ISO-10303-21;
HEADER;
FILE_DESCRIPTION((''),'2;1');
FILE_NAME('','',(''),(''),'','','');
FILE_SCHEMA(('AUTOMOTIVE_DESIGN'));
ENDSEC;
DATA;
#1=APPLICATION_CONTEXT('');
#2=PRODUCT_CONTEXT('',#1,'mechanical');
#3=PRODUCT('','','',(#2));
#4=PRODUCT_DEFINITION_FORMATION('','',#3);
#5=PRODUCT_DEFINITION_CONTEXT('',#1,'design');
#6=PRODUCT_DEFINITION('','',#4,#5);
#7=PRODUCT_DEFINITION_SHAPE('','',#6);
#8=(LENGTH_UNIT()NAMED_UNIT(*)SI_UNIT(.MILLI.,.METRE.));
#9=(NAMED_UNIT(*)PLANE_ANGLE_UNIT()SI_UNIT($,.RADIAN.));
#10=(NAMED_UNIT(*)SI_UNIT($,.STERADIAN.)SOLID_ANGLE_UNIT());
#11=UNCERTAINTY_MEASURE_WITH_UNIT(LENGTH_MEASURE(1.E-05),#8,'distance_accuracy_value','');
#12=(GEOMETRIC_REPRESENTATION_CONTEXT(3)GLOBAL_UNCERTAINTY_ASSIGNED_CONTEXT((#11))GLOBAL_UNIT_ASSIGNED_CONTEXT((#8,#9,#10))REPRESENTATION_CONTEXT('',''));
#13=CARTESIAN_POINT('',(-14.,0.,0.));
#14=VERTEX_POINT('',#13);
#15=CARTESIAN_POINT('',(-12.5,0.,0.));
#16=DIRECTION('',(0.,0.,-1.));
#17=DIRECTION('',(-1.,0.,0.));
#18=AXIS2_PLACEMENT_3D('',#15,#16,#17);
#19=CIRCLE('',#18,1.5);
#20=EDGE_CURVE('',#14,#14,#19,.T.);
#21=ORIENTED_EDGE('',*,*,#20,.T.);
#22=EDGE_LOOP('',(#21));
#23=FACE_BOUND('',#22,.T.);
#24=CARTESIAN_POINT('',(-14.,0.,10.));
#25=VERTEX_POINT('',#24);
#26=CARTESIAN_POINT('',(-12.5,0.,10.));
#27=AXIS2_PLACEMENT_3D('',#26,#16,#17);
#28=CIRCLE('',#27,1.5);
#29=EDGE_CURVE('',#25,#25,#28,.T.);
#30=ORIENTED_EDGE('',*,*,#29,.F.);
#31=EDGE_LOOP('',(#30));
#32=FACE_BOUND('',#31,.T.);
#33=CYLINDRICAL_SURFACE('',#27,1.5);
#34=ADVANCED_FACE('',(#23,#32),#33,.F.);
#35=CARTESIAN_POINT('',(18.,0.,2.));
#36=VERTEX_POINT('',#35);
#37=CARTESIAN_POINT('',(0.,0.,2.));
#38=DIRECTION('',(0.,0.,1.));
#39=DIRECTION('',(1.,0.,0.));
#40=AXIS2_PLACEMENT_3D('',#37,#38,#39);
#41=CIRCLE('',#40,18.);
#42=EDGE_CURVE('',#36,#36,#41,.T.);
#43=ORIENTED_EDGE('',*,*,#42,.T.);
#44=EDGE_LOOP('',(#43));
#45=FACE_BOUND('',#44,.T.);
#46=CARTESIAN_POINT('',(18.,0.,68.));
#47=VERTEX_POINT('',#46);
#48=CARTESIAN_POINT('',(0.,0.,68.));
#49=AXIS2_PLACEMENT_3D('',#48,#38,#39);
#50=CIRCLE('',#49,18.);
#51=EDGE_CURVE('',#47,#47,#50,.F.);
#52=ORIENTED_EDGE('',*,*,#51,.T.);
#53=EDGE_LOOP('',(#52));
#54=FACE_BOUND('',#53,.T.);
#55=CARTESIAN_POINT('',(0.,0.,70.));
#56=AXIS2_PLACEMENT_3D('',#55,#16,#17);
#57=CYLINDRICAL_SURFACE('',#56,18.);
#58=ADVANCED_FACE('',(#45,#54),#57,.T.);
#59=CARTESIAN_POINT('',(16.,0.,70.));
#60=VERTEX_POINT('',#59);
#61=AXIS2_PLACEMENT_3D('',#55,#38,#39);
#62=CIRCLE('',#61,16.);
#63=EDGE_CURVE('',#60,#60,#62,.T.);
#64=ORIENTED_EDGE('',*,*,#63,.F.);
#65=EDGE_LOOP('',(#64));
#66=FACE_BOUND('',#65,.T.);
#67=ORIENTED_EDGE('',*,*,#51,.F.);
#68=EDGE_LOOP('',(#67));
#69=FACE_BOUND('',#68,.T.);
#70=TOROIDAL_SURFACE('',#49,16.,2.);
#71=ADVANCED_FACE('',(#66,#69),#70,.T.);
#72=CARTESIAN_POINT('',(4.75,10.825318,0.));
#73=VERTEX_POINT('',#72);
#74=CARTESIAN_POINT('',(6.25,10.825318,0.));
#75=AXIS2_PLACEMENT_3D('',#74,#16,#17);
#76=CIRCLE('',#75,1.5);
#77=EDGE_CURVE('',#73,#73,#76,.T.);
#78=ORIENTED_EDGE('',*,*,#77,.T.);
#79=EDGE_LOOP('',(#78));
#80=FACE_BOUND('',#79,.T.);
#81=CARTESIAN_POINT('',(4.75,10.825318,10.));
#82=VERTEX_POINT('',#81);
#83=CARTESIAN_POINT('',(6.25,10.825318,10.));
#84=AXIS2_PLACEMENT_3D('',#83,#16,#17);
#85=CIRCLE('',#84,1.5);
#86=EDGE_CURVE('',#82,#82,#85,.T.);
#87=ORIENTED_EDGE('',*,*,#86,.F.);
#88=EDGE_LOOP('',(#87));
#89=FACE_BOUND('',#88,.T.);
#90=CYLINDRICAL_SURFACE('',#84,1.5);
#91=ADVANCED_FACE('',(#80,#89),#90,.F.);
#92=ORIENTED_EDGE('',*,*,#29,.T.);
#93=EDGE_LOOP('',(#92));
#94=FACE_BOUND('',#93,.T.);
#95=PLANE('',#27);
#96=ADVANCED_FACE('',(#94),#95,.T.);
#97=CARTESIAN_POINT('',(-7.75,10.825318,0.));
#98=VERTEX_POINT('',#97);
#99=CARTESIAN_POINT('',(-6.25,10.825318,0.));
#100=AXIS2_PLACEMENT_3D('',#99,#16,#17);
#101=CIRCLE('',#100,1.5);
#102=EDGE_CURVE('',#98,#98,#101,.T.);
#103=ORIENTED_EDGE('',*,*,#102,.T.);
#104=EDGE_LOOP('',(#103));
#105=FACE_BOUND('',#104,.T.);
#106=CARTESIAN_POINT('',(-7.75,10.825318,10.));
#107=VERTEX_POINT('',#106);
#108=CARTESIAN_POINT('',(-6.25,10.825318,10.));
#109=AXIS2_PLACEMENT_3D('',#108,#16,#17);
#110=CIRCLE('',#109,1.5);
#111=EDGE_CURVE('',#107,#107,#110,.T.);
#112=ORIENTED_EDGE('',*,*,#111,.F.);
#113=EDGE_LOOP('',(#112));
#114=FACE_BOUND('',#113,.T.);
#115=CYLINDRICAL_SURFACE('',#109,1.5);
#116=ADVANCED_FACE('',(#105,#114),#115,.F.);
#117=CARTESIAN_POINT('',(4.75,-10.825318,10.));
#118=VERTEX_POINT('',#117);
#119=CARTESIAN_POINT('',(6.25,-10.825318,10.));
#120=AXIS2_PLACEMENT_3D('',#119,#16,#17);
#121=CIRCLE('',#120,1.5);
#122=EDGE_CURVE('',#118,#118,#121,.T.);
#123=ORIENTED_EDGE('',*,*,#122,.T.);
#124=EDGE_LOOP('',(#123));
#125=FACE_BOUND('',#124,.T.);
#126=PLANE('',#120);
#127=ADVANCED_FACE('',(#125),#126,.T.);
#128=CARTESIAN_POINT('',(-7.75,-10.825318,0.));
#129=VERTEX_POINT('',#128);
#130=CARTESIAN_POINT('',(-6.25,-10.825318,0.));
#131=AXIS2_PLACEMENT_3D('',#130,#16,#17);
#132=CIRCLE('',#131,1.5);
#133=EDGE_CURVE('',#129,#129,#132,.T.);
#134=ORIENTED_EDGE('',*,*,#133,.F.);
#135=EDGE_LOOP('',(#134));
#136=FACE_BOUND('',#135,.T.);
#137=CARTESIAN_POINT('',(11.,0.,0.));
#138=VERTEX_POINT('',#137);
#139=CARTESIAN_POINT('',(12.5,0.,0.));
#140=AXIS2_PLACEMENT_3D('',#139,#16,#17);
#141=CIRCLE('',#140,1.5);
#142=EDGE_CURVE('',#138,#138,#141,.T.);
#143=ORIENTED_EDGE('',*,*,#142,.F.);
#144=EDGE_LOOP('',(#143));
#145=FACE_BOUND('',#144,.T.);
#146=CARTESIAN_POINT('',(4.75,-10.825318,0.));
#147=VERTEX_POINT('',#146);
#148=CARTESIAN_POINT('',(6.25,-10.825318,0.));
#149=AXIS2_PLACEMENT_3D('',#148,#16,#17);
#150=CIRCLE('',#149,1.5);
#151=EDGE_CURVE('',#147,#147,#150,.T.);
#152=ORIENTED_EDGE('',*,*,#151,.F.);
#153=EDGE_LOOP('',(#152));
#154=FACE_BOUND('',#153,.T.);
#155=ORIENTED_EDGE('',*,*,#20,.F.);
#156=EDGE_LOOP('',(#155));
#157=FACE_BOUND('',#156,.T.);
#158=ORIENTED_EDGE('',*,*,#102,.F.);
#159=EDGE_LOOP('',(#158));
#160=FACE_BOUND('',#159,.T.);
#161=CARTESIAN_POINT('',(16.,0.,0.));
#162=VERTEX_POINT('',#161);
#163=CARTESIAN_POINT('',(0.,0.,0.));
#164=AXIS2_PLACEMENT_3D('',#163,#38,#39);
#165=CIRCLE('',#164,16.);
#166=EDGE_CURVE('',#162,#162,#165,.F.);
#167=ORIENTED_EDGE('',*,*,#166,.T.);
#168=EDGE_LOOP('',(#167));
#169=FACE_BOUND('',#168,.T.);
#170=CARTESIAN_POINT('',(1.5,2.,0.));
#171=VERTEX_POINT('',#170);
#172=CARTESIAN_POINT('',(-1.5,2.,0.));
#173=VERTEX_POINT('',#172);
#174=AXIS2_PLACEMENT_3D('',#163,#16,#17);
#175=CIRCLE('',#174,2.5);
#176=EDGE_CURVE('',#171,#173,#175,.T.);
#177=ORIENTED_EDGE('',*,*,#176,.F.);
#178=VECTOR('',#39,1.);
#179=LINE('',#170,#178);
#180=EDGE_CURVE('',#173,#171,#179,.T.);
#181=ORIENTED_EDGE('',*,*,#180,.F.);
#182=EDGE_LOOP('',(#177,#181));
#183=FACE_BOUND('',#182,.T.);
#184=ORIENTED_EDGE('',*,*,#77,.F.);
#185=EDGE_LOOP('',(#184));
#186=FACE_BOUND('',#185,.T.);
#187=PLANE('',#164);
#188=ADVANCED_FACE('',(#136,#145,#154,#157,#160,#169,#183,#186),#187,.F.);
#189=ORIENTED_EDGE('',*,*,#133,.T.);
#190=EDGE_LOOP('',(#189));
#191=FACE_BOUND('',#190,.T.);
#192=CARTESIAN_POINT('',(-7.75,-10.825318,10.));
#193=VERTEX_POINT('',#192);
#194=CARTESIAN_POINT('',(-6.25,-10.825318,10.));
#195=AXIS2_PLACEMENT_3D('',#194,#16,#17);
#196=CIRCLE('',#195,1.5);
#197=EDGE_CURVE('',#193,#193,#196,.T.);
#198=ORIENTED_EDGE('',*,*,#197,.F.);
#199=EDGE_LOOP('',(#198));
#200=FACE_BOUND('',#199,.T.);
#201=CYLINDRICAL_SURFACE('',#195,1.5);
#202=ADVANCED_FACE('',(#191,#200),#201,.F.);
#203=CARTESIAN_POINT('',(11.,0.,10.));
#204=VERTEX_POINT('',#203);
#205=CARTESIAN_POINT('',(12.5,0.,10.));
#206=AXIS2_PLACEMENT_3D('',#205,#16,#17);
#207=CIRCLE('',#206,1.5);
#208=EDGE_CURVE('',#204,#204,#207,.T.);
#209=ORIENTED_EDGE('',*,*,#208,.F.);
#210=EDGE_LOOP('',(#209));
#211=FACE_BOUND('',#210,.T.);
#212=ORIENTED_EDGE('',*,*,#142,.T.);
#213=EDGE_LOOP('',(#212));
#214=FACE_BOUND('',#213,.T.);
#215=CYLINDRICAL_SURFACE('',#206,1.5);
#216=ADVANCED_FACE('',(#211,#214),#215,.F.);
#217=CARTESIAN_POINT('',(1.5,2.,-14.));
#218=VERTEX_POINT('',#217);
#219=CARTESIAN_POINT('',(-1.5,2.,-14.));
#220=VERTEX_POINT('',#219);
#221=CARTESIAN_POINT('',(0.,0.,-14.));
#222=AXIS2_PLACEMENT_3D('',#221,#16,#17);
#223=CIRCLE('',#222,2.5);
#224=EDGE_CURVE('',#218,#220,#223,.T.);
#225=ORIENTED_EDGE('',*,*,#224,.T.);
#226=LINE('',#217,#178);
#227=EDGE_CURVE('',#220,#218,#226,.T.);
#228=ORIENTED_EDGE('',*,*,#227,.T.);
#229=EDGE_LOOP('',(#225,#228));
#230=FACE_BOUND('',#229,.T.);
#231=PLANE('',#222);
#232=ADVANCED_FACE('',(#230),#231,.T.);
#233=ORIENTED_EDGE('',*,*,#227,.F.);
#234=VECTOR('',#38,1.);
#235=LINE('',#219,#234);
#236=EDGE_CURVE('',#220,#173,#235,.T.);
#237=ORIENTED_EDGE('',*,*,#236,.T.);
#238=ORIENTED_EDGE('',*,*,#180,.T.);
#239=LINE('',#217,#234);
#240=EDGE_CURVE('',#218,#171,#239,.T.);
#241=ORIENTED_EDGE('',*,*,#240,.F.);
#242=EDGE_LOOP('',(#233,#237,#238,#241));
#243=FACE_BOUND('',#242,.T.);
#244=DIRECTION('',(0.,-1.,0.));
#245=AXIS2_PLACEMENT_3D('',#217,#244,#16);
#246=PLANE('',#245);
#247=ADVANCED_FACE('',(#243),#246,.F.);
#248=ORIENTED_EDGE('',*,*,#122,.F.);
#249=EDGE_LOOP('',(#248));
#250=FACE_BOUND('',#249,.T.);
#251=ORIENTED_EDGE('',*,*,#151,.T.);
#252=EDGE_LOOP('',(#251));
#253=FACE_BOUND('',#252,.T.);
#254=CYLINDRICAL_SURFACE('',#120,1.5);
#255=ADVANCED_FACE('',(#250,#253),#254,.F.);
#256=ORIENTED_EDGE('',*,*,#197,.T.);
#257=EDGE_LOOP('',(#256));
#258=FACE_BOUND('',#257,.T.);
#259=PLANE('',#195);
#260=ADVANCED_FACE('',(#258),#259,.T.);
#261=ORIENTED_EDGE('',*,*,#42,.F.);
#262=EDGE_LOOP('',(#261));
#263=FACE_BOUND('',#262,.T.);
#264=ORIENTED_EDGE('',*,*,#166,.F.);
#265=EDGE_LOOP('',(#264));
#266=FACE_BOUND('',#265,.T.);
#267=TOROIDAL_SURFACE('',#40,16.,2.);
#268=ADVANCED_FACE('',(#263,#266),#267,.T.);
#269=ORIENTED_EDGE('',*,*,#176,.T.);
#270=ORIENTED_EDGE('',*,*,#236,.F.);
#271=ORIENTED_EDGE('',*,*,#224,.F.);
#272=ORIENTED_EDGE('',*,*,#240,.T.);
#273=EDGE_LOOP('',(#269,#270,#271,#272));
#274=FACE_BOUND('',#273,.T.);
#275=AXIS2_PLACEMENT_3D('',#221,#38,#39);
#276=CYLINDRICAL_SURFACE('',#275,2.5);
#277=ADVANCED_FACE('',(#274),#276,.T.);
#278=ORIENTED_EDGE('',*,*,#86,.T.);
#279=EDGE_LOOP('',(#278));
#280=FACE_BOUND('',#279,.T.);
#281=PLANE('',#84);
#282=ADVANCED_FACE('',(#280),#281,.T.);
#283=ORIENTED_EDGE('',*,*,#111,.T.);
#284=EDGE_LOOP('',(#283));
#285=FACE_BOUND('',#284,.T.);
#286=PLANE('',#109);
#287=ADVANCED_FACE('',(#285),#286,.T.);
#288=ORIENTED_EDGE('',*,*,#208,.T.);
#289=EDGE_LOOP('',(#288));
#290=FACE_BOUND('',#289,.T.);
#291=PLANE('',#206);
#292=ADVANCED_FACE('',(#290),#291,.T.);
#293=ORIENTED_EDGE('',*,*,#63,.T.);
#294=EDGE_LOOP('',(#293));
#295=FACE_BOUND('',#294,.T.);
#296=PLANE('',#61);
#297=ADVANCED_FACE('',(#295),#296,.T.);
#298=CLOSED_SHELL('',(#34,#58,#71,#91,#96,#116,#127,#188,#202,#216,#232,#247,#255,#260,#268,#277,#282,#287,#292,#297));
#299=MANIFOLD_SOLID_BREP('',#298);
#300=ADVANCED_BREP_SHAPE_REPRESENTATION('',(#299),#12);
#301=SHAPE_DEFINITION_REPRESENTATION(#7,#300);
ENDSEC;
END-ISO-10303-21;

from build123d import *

# Parameters (mm, degrees)
SKETCH1_R           = 18
BOSS_EXTRUDE1_DEPTH = 70
BOSS_EXTRUDE2_DEPTH = 14
FILLET1_R           = 2
SKETCH3_R           = 1.5
CUT_EXTRUDE1_DEPTH  = 10


with BuildPart() as part:
    # Sketch1 → Boss-Extrude1 (new body)
    with BuildSketch(Plane.XY):
        Circle(SKETCH1_R)
    extrude(amount=BOSS_EXTRUDE1_DEPTH)

    # Sketch2 → Boss-Extrude2 (add)
    with BuildSketch(Plane(origin=(0, 0, 0), x_dir=(-1, 0, 0), z_dir=(0, 0, -1))):
        with BuildLine():
            Line((-1.5, 2), (1.5, 2))
            ThreePointArc((1.5, 2), (0, -2.5), (-1.5, 2))
        make_face()
    extrude(amount=BOSS_EXTRUDE2_DEPTH)

    # Fillet1
    fillet1_edges = [part.edges().sort_by_distance(p)[0] for p in [
        (-18, 0, 0),
        (-18, 0, 70),
    ]]
    fillet(fillet1_edges, radius=FILLET1_R)

    # Sketch3 → Cut-Extrude1 (cut)
    with BuildSketch(Plane(origin=(0, 0, 0), x_dir=(-1, 0, 0), z_dir=(0, 0, -1))):
        with Locations((-12.5, 0)):
            Circle(SKETCH3_R)
        with Locations((-6.25, 10.825317547)):
            Circle(SKETCH3_R)
        with Locations((6.25, 10.825317547)):
            Circle(SKETCH3_R)
        with Locations((12.5, 0)):
            Circle(SKETCH3_R)
        with Locations((6.25, -10.825317547)):
            Circle(SKETCH3_R)
        with Locations((-6.25, -10.825317547)):
            Circle(SKETCH3_R)
    extrude(amount=-CUT_EXTRUDE1_DEPTH, mode=Mode.SUBTRACT)


solid = part.part
